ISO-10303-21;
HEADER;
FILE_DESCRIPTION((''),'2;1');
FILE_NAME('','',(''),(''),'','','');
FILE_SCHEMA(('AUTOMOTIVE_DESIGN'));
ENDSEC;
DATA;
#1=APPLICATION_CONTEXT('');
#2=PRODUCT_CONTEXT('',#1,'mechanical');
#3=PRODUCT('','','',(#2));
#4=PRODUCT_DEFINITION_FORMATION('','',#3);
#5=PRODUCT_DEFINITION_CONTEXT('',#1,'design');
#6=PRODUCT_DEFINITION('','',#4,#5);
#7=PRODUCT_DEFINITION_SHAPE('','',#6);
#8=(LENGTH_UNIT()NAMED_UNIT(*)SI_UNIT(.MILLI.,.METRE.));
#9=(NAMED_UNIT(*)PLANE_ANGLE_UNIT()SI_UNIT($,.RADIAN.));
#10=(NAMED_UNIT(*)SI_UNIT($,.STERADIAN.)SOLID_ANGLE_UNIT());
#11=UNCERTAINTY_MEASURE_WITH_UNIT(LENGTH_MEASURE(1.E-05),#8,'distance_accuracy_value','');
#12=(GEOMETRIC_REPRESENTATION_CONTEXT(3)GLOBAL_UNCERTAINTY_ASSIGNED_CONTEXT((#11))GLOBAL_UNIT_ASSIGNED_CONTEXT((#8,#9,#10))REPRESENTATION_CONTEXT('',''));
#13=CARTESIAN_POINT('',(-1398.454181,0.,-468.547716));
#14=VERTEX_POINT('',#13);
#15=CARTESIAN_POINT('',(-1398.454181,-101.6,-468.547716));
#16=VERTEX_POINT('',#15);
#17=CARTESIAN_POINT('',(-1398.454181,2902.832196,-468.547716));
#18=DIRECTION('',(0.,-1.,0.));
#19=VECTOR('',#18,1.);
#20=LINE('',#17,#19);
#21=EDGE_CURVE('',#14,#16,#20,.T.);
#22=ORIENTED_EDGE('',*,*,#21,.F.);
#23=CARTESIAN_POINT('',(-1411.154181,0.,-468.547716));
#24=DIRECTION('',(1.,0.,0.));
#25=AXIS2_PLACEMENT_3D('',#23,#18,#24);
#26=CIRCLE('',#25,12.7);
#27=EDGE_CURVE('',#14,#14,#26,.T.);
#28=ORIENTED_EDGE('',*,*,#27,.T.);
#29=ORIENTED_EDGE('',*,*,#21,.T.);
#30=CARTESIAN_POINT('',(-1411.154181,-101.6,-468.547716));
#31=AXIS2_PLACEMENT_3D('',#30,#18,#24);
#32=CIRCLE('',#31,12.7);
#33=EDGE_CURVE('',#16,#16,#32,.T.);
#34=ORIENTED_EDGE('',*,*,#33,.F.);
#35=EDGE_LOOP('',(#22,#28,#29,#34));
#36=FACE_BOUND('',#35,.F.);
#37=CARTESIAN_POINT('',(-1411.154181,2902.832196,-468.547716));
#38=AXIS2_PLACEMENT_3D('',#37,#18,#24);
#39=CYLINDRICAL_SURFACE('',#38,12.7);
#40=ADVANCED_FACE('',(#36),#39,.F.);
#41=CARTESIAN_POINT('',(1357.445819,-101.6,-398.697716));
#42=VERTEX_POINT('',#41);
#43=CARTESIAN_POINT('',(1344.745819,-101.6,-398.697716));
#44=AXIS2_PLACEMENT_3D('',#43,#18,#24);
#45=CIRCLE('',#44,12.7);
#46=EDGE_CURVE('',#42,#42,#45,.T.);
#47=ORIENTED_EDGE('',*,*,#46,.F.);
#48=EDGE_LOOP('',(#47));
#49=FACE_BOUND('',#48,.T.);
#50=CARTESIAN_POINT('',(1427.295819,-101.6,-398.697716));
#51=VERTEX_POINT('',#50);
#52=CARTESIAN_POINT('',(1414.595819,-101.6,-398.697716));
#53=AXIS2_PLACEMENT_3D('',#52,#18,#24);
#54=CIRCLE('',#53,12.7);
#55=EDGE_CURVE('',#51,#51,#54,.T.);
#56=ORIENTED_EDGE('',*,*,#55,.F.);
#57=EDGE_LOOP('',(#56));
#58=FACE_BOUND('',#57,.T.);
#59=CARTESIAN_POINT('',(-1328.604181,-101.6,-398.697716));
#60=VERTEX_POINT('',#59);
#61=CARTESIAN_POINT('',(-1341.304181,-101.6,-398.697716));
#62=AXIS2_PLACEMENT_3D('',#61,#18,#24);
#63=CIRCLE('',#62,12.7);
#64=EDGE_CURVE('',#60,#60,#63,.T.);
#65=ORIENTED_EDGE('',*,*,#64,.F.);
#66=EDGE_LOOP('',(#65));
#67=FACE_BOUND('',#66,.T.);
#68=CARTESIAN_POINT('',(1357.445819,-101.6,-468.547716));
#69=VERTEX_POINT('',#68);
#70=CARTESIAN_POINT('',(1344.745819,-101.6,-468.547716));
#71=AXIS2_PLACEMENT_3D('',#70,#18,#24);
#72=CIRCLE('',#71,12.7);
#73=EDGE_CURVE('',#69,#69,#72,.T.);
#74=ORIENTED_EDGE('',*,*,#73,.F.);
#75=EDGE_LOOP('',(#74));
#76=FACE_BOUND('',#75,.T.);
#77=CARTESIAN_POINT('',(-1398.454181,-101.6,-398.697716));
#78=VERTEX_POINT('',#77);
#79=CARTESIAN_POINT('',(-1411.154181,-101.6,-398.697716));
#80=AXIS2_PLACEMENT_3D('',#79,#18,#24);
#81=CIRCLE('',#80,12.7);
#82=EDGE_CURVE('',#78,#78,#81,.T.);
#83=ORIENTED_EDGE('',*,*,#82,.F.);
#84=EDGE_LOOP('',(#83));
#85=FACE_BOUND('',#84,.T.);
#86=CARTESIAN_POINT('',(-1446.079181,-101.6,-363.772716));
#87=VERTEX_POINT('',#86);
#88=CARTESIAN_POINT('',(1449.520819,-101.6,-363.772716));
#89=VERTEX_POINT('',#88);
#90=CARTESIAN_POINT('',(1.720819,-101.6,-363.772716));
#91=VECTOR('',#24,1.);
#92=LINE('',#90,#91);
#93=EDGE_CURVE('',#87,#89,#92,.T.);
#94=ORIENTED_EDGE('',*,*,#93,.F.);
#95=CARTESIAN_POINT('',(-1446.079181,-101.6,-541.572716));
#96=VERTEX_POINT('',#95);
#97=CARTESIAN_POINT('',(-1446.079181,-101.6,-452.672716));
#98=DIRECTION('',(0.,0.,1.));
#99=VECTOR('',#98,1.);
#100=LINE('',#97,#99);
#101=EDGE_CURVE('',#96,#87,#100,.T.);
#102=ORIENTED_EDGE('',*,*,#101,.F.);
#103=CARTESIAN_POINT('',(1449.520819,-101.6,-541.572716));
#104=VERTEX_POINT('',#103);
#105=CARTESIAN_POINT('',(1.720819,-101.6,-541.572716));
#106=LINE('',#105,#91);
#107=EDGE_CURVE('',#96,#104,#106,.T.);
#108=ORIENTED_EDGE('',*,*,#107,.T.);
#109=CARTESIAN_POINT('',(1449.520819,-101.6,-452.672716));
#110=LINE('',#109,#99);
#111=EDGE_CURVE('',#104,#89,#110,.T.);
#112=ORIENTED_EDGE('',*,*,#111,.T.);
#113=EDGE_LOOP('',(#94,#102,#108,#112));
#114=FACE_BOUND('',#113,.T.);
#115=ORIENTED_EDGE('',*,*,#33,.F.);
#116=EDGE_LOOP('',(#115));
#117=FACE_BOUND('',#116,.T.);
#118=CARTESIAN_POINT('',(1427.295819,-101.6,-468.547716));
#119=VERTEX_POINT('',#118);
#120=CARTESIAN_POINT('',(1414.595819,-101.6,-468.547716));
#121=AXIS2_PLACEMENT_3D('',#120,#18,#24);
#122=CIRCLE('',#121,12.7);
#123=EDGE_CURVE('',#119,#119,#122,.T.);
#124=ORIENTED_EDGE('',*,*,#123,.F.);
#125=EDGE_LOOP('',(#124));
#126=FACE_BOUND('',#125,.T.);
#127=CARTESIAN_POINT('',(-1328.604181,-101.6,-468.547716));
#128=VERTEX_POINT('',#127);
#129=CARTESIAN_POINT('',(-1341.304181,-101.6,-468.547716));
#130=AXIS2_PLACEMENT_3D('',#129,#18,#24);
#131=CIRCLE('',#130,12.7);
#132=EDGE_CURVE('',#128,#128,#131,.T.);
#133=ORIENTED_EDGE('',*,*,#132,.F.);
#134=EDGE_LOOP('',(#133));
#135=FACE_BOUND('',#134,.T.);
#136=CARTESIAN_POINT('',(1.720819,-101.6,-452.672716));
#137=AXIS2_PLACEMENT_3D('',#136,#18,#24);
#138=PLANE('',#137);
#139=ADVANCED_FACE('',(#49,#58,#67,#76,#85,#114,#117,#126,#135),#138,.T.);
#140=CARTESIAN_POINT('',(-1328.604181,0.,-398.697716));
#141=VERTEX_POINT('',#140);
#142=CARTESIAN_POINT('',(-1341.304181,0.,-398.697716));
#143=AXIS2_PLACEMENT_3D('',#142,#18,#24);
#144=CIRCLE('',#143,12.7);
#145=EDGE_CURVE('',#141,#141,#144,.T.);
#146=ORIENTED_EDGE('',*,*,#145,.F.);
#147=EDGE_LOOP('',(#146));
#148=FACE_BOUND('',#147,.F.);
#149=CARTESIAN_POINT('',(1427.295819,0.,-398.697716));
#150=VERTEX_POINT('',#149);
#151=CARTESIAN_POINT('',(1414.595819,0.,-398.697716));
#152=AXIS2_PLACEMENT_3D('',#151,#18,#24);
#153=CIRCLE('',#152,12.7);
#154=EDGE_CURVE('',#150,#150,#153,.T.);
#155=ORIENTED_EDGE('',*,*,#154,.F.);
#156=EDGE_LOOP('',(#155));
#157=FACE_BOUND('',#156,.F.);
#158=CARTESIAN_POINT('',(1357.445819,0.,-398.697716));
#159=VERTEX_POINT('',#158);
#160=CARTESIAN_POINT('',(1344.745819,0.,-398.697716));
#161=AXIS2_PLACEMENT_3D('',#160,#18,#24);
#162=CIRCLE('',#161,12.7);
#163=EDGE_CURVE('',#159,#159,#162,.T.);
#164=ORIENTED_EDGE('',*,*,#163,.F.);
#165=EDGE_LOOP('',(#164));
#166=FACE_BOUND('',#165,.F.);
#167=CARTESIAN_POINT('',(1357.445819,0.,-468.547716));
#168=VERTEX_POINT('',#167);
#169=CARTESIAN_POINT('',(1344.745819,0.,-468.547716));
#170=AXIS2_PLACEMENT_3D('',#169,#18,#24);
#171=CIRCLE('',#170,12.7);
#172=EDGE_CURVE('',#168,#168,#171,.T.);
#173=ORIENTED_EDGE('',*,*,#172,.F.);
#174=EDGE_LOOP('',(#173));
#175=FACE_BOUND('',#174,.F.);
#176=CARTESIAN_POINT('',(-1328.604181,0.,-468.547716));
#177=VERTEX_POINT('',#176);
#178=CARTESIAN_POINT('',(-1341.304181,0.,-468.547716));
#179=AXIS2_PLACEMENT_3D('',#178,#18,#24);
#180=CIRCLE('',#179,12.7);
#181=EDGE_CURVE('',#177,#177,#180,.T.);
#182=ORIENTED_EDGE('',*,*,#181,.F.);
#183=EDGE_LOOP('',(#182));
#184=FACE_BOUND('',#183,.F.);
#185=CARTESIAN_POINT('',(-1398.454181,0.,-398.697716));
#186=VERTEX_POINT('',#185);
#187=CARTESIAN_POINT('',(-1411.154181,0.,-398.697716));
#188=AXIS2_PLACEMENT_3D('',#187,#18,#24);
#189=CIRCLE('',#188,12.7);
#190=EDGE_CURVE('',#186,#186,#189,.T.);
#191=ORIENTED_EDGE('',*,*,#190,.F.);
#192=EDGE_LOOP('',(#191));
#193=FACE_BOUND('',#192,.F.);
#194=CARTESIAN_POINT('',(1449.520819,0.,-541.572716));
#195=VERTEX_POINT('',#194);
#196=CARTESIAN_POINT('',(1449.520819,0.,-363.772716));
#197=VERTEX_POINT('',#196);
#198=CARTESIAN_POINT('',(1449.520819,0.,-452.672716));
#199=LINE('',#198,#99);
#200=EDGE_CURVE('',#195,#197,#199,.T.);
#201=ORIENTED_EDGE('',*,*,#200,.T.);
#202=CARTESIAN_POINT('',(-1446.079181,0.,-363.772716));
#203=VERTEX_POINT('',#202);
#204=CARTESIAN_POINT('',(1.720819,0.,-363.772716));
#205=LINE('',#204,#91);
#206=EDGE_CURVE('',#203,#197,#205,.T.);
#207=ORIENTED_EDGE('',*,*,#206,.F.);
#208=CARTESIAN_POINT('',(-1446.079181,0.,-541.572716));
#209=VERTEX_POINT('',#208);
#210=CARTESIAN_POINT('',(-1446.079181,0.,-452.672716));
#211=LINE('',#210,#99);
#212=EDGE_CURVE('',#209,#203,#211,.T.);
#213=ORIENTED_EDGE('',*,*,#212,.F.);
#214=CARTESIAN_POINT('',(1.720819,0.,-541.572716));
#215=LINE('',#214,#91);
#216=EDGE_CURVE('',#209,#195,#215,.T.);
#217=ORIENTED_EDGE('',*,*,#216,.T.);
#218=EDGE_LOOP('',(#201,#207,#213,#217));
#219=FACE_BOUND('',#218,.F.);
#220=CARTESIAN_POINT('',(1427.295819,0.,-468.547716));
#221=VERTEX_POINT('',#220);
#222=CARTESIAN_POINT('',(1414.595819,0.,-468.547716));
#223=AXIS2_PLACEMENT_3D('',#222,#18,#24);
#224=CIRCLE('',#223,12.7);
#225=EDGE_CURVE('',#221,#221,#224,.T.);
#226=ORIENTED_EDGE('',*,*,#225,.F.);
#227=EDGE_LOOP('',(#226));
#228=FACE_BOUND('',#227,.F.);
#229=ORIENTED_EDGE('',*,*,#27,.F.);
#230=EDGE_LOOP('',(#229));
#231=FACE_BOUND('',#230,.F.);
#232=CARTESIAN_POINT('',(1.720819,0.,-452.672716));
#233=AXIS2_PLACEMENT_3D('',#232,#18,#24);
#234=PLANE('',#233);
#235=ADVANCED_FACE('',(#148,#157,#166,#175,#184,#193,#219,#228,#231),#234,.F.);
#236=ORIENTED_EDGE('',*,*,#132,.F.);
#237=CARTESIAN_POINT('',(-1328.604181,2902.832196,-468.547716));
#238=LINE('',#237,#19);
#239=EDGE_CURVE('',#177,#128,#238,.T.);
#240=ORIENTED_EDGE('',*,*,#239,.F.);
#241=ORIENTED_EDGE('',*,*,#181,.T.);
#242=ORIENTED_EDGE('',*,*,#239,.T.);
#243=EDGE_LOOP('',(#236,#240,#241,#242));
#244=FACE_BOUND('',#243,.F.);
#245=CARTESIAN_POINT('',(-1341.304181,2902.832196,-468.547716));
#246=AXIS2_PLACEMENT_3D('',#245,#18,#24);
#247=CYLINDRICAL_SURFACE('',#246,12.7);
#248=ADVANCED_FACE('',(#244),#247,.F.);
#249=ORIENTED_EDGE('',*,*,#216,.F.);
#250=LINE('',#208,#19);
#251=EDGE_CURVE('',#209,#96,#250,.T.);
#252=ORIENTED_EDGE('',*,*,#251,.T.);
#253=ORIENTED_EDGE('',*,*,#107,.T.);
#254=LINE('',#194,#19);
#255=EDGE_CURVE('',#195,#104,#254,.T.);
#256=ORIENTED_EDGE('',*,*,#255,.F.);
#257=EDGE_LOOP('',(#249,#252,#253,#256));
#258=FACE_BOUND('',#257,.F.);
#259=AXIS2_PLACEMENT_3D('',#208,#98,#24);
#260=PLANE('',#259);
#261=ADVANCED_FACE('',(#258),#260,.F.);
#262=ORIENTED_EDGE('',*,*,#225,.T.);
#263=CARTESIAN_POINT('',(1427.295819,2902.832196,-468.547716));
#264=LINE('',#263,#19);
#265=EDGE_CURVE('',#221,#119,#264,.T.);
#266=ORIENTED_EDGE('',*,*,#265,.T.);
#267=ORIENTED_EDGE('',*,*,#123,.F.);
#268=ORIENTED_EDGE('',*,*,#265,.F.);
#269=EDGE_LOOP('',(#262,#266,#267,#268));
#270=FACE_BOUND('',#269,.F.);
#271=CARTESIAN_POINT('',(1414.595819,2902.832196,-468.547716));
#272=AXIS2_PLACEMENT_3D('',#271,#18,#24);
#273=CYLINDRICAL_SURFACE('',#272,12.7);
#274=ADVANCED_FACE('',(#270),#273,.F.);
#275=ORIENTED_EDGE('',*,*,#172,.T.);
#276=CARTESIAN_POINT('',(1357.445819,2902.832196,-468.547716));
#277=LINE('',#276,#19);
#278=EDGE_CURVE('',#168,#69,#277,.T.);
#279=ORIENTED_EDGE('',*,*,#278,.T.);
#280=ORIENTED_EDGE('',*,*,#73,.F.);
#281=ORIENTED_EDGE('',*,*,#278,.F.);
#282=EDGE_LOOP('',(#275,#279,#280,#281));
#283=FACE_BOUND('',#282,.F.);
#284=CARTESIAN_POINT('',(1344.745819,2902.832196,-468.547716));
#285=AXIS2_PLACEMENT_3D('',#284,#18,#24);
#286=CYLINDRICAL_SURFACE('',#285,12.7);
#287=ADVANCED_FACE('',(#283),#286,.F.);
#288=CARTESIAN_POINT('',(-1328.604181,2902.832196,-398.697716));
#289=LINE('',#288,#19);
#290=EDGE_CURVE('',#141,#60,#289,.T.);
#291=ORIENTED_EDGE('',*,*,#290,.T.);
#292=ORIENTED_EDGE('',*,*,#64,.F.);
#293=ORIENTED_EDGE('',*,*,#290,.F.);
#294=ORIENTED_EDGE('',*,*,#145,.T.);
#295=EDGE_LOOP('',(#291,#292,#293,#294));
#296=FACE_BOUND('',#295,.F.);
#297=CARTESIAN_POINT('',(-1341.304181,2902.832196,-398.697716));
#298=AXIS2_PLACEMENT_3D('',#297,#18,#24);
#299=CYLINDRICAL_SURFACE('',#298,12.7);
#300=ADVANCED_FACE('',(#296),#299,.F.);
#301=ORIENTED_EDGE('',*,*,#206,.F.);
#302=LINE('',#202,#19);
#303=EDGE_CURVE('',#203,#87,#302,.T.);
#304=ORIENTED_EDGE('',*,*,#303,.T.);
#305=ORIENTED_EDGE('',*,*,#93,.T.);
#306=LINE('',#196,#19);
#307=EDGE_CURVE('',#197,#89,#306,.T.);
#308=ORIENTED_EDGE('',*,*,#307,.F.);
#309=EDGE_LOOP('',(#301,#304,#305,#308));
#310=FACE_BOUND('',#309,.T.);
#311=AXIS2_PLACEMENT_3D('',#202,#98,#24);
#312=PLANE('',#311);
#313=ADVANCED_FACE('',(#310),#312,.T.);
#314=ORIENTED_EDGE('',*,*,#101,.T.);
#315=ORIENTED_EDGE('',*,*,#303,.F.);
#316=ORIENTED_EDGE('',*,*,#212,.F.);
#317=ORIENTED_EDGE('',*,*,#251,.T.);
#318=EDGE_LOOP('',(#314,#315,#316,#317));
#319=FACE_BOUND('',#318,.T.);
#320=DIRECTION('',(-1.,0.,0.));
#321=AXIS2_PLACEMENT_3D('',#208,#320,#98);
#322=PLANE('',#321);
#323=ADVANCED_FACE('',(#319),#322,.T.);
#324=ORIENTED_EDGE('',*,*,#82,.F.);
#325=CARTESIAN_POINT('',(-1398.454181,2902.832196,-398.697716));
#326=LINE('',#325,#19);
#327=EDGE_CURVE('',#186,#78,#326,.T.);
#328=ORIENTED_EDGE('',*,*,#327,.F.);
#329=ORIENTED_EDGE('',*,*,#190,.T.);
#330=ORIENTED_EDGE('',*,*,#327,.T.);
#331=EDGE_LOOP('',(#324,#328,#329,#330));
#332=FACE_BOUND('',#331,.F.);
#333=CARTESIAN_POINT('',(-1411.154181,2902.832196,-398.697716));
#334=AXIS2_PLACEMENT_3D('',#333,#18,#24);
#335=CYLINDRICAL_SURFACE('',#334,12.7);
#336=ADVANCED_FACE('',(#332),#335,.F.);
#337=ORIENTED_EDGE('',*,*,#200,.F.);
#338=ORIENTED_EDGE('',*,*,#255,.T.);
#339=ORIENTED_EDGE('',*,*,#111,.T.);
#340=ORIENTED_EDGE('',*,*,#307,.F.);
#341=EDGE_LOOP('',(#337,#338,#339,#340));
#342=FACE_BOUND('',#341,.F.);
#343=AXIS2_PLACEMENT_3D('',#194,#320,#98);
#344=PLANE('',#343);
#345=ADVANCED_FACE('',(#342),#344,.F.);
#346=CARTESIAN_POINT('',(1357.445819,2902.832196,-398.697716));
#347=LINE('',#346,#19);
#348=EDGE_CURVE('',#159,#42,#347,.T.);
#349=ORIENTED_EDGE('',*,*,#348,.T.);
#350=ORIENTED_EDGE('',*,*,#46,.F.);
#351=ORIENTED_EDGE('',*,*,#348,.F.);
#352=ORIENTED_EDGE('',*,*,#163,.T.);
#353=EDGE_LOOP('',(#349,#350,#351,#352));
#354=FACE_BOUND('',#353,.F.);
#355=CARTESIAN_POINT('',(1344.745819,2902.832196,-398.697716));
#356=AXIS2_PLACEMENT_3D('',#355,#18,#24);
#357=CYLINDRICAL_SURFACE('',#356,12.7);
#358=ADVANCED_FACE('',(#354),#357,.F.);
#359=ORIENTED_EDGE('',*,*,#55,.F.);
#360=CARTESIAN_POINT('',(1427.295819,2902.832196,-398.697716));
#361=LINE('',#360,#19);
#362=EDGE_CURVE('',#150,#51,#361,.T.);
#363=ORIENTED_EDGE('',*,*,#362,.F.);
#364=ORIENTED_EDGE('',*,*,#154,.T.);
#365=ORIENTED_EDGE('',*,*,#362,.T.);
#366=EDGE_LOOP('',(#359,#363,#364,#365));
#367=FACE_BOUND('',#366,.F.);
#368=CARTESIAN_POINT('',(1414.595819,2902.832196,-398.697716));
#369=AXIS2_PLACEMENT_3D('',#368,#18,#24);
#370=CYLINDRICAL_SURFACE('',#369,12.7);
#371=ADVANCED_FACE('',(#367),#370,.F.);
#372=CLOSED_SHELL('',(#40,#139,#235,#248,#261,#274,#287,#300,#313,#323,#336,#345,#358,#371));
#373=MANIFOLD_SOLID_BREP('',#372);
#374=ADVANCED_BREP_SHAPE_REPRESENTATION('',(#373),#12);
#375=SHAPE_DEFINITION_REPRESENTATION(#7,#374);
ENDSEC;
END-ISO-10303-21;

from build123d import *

# Parameters (mm, degrees)
F0_W     = 2895.6
F0_H     = 177.8
F1_DEPTH = 101.6
F3_D     = 25.4


with BuildPart() as f1:
    # F0 (on Front) → F1 (new body)
    with BuildSketch(Plane.XZ):
        with Locations((1.720819, -452.672716)):
            Rectangle(F0_W, F0_H)
    extrude(amount=F1_DEPTH)

    # F3 (through all)
    with Locations(Plane(origin=(0, 0, 0), x_dir=(-1, 0, 0), z_dir=(0, 1, 0))):
        with Locations((-1414.595819, -468.547716), (-1414.595819, -398.697716), (-1344.745819, -398.697716), (-1344.745819, -468.547716), (1341.304181, -398.697716), (1411.154181, -398.697716), (1411.154181, -468.547716), (1341.304181, -468.547716)):
            Hole(F3_D / 2)


solid = f1.part
